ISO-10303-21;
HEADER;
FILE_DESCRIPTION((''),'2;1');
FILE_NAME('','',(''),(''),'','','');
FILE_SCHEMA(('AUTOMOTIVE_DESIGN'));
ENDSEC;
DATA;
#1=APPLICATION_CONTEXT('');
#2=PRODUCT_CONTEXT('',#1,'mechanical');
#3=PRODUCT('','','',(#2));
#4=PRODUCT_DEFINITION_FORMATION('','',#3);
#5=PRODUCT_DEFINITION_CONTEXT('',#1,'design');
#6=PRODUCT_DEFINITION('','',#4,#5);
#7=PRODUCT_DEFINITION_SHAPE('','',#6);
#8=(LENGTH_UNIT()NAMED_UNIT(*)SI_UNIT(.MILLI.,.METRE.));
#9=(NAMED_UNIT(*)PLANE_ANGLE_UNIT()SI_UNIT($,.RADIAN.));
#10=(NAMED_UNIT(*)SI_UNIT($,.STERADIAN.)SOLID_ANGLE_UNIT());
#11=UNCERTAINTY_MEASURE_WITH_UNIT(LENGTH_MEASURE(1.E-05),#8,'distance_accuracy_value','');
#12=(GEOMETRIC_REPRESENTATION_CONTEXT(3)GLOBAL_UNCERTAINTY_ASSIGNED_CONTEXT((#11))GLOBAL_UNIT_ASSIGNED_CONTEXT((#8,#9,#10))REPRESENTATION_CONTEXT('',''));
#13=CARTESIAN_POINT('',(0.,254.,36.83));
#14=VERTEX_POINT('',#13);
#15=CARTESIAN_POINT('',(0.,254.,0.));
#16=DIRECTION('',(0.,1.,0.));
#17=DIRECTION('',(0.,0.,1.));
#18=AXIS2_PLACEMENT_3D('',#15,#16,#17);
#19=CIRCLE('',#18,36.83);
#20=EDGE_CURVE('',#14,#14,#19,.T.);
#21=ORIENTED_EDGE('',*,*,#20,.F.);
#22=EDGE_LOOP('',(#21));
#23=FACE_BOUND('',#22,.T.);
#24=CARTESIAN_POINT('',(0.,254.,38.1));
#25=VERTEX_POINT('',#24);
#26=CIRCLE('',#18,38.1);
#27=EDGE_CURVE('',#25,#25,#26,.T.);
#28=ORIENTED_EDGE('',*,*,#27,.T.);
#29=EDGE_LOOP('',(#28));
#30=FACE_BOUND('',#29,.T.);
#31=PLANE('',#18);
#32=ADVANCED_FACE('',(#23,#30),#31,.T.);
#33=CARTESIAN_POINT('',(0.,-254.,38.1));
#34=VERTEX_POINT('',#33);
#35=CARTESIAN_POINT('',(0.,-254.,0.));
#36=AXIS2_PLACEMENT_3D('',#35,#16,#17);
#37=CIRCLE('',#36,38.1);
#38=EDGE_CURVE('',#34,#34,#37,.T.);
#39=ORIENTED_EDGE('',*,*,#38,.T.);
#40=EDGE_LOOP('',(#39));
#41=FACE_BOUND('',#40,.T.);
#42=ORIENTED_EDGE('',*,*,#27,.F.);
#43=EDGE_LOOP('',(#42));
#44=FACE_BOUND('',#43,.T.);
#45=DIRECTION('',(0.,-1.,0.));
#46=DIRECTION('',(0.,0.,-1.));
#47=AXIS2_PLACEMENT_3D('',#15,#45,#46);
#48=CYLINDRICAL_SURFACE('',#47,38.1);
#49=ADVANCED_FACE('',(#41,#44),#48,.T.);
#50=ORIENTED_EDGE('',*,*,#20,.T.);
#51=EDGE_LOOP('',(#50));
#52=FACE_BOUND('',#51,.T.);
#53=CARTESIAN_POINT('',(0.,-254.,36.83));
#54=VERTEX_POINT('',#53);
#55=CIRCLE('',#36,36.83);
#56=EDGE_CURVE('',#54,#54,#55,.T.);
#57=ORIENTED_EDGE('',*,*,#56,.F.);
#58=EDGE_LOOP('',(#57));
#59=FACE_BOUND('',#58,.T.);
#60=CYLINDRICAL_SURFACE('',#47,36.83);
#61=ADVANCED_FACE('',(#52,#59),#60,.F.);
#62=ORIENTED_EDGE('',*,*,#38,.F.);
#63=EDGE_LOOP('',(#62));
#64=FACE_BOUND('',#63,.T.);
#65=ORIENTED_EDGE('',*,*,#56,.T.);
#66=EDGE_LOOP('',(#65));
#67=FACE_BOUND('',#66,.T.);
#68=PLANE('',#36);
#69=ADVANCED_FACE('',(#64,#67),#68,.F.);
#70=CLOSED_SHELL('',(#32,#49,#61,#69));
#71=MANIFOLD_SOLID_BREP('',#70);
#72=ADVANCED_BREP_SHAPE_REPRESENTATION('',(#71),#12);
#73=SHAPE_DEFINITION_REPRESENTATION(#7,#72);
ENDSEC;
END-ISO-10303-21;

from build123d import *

# Parameters (mm, degrees)
SKETCH1_R           = 38.1
SKETCH1_R_2         = 36.83
BOSS_EXTRUDE1_DEPTH = 254


with BuildPart() as part:
    # Sketch1 → Boss-Extrude1 (new, symmetric)
    with BuildSketch(Plane(origin=(0, 0, 0), x_dir=(1, 0, 0), z_dir=(0, 1, 0))):
        with Locations(Location((0, 0, 0), (0, 0, 270))):
            Circle(SKETCH1_R)
        with Locations(Location((0, 0, 0), (0, 0, 270))):
            Circle(SKETCH1_R_2, mode=Mode.SUBTRACT)
    extrude(amount=BOSS_EXTRUDE1_DEPTH, both=True)


solid = part.part
